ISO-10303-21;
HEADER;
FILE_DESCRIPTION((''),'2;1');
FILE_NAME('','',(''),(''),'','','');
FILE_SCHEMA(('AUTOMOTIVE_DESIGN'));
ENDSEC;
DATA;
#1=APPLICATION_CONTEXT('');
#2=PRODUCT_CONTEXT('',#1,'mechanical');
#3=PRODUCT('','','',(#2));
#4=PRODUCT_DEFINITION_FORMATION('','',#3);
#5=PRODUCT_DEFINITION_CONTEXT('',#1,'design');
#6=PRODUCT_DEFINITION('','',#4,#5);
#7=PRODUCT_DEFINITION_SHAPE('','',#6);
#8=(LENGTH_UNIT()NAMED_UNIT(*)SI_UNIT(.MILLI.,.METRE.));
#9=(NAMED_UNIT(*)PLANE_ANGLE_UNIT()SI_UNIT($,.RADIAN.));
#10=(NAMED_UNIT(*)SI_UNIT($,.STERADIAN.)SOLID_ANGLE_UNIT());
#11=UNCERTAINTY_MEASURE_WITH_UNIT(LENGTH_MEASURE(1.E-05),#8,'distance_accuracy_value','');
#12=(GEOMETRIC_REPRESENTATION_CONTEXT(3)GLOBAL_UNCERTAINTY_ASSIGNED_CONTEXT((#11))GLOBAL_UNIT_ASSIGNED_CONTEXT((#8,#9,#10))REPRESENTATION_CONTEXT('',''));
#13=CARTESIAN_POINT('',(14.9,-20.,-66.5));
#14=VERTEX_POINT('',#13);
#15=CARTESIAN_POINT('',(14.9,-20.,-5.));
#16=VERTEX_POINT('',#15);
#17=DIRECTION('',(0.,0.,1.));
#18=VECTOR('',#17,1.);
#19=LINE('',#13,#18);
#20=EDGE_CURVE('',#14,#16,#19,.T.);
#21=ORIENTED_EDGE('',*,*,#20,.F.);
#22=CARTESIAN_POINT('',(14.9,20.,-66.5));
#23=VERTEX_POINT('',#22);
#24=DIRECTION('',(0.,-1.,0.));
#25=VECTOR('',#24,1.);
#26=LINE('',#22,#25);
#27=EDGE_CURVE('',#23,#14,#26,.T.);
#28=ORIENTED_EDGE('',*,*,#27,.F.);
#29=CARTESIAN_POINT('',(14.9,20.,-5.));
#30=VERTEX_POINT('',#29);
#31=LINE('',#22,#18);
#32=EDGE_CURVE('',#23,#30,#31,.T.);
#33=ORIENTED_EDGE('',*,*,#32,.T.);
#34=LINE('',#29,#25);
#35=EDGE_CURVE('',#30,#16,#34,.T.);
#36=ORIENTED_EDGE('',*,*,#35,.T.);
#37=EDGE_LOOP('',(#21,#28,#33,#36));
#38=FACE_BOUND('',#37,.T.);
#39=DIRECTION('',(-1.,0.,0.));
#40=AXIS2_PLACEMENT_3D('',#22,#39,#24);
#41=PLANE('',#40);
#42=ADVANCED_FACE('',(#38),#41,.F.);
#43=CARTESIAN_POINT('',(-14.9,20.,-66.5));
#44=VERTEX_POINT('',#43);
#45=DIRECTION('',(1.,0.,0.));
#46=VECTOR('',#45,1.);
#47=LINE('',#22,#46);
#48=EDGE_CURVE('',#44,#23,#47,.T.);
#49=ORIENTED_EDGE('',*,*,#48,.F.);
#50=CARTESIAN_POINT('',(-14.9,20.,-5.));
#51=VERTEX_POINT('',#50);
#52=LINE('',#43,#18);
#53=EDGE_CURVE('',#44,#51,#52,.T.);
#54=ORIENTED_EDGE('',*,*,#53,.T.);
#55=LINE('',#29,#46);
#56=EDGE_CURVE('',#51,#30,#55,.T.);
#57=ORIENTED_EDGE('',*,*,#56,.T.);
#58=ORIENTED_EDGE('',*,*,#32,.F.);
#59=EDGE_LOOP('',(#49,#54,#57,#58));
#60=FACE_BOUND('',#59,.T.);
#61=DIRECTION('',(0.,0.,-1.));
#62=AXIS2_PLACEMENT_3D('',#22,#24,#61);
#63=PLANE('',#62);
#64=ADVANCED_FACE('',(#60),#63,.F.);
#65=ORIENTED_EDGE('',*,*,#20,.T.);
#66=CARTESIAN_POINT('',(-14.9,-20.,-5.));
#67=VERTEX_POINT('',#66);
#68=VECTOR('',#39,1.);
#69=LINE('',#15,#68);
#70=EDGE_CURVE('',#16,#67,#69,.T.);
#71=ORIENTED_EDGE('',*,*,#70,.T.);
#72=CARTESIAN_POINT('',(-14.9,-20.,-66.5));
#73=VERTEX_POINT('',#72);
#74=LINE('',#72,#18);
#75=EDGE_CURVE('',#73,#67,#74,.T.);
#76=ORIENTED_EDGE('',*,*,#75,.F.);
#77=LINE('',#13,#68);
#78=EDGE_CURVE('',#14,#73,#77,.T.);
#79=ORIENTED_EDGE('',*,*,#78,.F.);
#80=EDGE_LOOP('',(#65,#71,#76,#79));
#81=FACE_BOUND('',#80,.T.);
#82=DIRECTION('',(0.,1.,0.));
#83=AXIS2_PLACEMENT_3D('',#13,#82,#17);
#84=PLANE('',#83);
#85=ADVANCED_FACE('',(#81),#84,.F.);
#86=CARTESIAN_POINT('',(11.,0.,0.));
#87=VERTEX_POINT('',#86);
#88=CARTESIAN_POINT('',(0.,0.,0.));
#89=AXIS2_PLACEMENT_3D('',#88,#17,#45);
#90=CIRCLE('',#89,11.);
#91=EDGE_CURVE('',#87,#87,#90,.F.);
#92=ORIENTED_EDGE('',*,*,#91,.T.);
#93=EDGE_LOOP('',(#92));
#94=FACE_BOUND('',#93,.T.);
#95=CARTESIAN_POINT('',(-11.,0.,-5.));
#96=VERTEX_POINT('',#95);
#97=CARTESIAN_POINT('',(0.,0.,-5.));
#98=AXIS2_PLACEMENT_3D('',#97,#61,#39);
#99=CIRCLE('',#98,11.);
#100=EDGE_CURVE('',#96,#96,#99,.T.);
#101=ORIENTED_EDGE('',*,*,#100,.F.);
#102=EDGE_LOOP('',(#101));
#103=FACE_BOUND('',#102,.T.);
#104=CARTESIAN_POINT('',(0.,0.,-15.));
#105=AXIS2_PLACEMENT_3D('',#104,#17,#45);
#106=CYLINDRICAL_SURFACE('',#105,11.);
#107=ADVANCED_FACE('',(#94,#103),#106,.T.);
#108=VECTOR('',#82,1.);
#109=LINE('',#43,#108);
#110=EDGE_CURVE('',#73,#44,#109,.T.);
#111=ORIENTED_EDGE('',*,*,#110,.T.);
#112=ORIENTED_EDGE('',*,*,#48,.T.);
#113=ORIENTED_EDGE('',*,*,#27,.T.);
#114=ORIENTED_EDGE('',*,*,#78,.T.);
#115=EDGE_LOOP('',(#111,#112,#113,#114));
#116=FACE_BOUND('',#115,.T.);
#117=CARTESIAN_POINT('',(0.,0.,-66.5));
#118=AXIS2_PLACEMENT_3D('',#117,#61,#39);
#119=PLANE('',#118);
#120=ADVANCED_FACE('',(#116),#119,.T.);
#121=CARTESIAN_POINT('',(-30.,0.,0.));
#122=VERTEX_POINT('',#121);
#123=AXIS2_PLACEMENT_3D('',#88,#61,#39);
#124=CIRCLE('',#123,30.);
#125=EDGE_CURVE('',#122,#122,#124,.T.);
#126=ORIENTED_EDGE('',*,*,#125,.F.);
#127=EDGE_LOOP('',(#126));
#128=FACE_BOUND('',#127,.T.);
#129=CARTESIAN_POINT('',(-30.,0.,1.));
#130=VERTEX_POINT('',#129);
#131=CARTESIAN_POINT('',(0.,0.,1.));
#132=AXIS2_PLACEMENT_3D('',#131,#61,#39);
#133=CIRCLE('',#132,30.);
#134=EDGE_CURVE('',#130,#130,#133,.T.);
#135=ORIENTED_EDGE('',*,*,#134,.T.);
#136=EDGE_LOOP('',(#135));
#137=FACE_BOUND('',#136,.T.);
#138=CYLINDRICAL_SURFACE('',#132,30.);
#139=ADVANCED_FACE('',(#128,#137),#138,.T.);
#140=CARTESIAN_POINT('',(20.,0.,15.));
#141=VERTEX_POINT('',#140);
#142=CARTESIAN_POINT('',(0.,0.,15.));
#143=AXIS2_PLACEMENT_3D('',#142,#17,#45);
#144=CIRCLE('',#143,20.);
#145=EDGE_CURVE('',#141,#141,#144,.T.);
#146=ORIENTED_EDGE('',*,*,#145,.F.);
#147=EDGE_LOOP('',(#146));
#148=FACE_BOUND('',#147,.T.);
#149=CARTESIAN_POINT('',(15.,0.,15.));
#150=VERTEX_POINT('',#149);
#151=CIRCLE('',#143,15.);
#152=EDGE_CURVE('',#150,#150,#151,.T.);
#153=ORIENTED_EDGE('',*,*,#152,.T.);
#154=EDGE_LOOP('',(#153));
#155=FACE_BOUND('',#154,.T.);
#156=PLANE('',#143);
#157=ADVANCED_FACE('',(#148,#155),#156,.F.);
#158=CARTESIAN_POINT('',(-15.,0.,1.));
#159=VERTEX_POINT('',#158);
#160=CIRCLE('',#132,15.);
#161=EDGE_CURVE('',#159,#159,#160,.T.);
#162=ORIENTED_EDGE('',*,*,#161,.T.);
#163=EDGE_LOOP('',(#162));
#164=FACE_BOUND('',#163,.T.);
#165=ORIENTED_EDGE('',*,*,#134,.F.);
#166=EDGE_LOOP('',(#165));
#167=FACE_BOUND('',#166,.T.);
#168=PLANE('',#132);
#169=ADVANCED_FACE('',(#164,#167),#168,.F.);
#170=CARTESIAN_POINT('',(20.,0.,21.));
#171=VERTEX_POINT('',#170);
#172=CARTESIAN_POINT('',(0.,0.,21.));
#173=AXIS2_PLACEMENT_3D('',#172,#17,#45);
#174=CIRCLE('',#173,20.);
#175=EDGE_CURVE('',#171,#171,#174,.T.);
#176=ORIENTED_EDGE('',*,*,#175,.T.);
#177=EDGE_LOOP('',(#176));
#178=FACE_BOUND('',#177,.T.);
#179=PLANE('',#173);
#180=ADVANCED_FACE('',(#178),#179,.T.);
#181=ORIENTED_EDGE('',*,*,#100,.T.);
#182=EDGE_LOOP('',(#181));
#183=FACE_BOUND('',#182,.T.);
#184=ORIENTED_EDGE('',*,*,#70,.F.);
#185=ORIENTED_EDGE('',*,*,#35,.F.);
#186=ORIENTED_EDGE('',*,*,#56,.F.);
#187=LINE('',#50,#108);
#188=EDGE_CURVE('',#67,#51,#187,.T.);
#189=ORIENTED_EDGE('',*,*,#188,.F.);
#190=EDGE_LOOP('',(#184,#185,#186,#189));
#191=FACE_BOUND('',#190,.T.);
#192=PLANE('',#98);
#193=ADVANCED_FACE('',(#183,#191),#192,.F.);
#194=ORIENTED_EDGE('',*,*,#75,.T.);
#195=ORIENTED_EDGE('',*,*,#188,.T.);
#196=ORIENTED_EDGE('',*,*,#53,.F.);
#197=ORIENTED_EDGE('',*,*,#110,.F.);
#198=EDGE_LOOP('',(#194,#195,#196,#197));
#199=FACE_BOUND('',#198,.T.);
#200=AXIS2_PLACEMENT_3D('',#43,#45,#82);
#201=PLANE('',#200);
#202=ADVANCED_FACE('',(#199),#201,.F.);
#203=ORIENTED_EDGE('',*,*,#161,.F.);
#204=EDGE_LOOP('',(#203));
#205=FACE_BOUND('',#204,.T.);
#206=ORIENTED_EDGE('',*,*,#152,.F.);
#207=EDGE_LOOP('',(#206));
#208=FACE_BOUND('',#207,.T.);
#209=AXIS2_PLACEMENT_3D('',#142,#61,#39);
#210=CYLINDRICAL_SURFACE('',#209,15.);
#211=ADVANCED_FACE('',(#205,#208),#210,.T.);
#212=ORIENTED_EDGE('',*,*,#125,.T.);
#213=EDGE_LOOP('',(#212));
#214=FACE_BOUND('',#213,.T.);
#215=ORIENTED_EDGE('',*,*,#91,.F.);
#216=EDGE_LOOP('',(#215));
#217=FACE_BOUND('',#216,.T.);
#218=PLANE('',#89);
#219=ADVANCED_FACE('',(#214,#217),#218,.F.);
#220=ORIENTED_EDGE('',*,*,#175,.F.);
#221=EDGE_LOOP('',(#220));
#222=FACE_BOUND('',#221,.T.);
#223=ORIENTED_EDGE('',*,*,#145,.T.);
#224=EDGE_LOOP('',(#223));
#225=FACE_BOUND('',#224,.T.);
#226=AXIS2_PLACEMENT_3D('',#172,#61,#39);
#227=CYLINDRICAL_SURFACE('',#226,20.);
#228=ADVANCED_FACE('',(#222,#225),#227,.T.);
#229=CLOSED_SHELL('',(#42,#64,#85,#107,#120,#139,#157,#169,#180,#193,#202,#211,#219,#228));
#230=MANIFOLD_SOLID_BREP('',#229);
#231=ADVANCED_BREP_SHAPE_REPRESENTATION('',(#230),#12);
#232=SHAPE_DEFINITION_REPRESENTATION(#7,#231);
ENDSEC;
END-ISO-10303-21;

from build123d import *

# Parameters (mm, degrees)
SKETCH1_R           = 15
BOSS_EXTRUDE1_DEPTH = 15
SKETCH2_R           = 20
BOSS_EXTRUDE2_DEPTH = 6
SKETCH3_R           = 11
BOSS_EXTRUDE3_DEPTH = 15
BOSS_EXTRUDE4_START = 5
SKETCH4_W           = 29.8
SKETCH4_H           = 40
BOSS_EXTRUDE4_DEPTH = 61.5
SKETCH5_R           = 30
BOSS_EXTRUDE5_DEPTH = 1


with BuildPart() as part:
    # Sketch1 → Boss-Extrude1 (new body)
    with BuildSketch(Plane.XY):
        Circle(SKETCH1_R)
    extrude(amount=BOSS_EXTRUDE1_DEPTH)

    # Sketch2 → Boss-Extrude2 (add)
    with BuildSketch(Plane.XY.offset(15)):
        Circle(SKETCH2_R)
    extrude(amount=BOSS_EXTRUDE2_DEPTH)

    # Sketch3 → Boss-Extrude3 (add)
    with BuildSketch(Plane(origin=(0, 0, 0), x_dir=(-1, 0, 0), z_dir=(0, 0, -1))):
        with Locations(Location((0, 0, 0), (0, 0, 180))):
            Circle(SKETCH3_R)
    extrude(amount=BOSS_EXTRUDE3_DEPTH)

    # Sketch4 → Boss-Extrude4 (add)
    with BuildSketch(Plane(origin=(0, 0, 0), x_dir=(-1, 0, 0), z_dir=(0, 0, -1)).offset(BOSS_EXTRUDE4_START)):
        Rectangle(SKETCH4_W, SKETCH4_H)
    extrude(amount=BOSS_EXTRUDE4_DEPTH)

    # Sketch5 → Boss-Extrude5 (add)
    with BuildSketch(Plane(origin=(0, 0, 0), x_dir=(-1, 0, 0), z_dir=(0, 0, -1))):
        Circle(SKETCH5_R)
    extrude(amount=-BOSS_EXTRUDE5_DEPTH)


solid = part.part
